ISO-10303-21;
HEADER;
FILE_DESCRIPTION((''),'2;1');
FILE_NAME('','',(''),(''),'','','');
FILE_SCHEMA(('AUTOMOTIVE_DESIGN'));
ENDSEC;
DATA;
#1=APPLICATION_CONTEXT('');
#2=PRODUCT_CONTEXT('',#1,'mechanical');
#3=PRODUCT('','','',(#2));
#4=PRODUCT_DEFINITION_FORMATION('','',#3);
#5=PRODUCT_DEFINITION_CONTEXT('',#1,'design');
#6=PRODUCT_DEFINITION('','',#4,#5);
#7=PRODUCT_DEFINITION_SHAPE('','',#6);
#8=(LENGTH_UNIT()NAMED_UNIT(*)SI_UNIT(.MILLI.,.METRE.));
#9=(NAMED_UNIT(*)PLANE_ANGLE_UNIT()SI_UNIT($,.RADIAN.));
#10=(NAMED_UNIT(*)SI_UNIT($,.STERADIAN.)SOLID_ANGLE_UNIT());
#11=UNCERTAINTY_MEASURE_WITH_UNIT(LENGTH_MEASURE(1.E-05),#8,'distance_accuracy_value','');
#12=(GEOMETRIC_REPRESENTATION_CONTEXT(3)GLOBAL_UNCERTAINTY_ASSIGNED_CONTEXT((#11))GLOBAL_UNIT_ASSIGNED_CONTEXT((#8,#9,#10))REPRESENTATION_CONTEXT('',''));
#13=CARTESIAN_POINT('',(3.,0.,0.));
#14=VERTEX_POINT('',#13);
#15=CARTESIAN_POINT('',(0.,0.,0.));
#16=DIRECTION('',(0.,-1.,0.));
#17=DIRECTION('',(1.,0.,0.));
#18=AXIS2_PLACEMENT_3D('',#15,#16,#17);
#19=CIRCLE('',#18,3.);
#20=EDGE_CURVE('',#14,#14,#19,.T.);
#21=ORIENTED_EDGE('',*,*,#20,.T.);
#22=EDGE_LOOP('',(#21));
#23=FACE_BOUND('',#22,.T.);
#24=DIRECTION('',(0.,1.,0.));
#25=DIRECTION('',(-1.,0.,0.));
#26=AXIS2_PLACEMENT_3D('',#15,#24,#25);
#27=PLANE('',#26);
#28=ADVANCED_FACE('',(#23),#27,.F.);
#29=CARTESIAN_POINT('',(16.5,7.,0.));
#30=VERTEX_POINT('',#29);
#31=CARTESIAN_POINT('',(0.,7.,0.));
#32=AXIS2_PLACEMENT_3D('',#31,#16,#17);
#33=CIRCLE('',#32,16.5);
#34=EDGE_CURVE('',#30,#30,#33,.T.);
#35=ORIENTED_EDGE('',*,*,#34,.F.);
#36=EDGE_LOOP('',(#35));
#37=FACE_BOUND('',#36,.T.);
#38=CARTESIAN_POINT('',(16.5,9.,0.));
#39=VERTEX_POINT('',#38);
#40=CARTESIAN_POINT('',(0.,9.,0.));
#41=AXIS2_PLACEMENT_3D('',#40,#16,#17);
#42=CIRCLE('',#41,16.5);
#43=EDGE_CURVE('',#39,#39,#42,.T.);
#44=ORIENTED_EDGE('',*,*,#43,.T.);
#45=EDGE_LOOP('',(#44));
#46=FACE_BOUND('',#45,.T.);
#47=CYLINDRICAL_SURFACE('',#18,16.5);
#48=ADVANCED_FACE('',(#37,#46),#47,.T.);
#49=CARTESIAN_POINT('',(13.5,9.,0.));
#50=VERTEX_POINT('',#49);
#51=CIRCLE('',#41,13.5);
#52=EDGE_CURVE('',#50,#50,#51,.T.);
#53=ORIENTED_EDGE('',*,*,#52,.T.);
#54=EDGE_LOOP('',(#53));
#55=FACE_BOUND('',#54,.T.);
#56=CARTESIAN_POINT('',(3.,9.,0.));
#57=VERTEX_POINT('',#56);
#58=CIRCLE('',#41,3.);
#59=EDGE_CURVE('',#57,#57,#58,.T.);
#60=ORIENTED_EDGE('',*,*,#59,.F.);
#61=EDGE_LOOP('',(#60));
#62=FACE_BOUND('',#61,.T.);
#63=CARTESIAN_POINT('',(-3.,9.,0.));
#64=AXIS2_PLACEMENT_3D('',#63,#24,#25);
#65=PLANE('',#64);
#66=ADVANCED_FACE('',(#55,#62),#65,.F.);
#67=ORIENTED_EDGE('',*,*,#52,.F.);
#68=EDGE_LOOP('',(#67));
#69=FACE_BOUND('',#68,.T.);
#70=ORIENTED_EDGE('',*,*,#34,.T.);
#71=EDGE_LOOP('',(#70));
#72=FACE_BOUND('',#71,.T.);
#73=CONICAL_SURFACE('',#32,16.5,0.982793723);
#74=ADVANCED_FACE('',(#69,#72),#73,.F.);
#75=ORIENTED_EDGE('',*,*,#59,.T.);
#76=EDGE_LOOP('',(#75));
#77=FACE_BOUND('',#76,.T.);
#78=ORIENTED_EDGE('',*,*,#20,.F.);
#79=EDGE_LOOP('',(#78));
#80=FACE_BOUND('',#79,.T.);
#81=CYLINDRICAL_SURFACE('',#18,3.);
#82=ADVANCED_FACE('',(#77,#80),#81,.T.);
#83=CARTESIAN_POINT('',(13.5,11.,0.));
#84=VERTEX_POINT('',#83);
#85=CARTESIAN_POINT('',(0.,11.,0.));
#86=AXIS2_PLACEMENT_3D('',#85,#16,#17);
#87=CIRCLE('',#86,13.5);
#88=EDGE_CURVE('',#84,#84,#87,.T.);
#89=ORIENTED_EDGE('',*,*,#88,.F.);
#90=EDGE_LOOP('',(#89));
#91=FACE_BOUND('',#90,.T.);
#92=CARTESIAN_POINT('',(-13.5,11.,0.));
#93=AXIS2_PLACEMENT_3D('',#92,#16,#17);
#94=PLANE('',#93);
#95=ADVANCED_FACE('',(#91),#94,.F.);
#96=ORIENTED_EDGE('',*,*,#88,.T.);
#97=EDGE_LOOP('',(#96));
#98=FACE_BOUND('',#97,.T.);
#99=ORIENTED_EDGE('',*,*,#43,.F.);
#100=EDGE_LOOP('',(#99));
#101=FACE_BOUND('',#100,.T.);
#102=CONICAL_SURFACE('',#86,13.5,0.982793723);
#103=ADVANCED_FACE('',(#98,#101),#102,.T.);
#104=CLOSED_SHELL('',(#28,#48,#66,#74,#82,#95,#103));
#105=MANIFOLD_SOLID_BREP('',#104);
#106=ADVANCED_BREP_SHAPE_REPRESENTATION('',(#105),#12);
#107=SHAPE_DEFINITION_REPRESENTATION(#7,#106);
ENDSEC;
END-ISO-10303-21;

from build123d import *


with BuildPart() as part:
    # Эскиз1 → Повернуть1 (revolve)
    with BuildSketch(Plane.XY, mode=Mode.PRIVATE) as revolve_1_sk:
        Polygon((0, 0), (-3, 0), (-3, 9), (-13.5, 9), (-16.5, 7), (-16.5, 9), (-13.5, 11), (0, 11), align=None)
    revolve(revolve_1_sk.sketch.rotate(Axis((0, 0, 0), (0, 1, 0)), 180), axis=Axis((0, 0, 0), (0, 1, 0)))


solid = part.part
